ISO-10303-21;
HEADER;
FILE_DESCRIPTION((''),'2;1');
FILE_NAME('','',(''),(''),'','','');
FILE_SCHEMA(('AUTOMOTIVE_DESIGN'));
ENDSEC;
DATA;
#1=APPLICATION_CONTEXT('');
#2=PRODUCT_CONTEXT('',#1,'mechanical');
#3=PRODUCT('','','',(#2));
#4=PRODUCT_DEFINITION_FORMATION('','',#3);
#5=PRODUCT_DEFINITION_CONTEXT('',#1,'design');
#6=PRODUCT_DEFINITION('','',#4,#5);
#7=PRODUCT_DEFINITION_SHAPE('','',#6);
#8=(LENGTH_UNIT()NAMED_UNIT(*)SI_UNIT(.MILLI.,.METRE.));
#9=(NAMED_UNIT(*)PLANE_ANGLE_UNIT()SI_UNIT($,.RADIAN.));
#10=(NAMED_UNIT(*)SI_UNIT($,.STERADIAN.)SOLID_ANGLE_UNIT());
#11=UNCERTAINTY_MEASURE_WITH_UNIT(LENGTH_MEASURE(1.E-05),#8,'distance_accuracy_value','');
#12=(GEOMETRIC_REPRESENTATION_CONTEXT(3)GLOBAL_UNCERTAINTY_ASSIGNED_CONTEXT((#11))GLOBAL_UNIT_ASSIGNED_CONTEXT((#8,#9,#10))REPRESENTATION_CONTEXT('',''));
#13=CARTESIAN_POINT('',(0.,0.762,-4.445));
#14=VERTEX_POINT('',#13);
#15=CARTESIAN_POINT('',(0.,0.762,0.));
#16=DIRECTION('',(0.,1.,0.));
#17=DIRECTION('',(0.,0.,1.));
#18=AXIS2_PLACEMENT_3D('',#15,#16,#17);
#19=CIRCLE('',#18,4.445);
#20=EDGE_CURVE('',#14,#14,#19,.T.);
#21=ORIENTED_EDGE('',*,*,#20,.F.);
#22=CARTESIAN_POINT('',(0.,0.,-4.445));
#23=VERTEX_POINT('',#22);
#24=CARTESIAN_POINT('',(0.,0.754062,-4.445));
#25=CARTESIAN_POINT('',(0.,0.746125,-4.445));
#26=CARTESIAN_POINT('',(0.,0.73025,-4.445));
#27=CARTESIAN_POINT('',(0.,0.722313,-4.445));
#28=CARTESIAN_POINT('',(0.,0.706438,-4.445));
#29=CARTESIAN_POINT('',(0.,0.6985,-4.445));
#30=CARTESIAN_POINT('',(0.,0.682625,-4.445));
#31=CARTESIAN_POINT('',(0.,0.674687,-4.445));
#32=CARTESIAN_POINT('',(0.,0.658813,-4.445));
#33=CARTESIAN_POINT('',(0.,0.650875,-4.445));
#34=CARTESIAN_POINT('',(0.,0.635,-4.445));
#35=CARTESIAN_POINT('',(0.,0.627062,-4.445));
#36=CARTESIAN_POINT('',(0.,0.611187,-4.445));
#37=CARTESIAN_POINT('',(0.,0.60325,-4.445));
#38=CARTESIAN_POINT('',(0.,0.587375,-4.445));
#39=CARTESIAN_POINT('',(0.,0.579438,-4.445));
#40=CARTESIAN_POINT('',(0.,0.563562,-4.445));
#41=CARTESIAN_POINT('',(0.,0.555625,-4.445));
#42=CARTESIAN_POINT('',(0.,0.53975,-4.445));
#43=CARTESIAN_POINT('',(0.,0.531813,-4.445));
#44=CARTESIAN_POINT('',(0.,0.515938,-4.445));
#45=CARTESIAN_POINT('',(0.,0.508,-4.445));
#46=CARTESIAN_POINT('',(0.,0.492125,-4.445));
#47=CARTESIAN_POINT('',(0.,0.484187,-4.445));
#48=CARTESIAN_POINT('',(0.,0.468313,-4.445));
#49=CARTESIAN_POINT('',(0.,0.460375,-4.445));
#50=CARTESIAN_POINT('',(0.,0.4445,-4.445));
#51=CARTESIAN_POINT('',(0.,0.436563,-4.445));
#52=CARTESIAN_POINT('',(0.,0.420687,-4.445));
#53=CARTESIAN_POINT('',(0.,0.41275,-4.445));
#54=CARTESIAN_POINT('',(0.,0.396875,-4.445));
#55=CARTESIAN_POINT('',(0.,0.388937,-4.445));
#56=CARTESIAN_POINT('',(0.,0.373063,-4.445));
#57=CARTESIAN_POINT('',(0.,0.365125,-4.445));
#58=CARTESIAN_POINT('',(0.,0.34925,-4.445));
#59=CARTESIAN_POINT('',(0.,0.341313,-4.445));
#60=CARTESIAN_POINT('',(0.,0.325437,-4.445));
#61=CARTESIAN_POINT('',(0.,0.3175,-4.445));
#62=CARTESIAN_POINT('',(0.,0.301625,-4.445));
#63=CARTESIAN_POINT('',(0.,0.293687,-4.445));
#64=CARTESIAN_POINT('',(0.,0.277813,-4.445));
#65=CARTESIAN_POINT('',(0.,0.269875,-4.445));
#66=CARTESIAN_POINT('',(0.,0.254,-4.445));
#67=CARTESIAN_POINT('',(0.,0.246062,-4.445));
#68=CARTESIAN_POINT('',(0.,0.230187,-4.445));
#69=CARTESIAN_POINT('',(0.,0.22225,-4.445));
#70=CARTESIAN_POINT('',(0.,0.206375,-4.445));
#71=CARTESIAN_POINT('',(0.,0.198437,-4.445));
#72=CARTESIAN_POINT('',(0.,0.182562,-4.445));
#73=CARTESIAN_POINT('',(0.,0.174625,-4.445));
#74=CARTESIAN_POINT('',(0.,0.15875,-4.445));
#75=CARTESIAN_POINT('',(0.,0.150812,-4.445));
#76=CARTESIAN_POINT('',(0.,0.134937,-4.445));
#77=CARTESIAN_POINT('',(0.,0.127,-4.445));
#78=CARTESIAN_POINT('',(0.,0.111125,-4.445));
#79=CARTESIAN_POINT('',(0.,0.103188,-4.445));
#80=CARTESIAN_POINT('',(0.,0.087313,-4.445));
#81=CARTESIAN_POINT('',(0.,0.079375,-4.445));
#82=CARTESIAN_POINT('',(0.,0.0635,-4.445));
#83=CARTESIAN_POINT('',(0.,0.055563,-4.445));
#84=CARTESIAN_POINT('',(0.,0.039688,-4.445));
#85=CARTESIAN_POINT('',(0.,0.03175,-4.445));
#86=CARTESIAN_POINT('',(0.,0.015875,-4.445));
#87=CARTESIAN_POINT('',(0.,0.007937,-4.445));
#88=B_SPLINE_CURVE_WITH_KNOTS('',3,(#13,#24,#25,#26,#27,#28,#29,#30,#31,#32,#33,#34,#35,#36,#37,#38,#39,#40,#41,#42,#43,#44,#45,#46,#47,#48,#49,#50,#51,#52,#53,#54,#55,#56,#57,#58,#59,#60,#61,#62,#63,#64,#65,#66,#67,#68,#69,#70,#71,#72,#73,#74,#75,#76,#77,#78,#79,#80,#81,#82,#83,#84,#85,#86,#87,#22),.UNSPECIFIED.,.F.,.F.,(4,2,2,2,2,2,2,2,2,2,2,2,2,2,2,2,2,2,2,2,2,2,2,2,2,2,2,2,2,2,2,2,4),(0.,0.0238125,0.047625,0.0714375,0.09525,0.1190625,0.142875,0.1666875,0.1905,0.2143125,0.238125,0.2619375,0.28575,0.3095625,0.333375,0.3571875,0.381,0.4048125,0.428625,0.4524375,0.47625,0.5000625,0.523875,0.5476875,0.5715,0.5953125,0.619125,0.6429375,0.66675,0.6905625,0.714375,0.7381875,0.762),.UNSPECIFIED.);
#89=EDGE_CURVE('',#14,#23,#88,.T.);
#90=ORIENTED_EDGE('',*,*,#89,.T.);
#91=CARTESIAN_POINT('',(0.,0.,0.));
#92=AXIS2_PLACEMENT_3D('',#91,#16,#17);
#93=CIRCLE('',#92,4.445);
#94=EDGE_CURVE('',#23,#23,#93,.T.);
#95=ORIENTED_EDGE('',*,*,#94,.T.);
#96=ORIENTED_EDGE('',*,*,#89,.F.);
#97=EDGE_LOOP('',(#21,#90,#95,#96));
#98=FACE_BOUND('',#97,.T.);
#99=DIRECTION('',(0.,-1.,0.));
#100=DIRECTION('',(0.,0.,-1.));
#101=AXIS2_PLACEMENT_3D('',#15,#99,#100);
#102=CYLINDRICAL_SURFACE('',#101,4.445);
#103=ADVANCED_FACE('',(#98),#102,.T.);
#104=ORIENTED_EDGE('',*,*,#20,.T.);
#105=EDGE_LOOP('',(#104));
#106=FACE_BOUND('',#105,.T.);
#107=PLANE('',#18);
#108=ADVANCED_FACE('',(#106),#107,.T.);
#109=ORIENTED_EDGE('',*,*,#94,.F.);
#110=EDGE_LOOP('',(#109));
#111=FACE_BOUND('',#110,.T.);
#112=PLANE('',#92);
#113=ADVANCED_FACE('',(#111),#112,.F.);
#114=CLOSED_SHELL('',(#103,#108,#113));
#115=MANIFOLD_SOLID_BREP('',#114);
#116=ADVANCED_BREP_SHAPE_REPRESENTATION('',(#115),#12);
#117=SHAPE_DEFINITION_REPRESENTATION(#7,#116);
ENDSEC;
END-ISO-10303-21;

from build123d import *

# Parameters (mm, degrees)
SKETCH1_R           = 4.445
SKETCH1_R_2         = 3.038282762
BOSS_EXTRUDE1_DEPTH = 0.762


with BuildPart() as part:
    # Sketch1 → Boss-Extrude1 (new body)
    # profile 1 of 2: a face of its own
    with BuildSketch(Plane(origin=(0, 0, 0), x_dir=(1, 0, 0), z_dir=(0, 1, 0))):
        with Locations(Location((0, 0, 0), (0, 0, 90))):
            Circle(SKETCH1_R)
        Circle(SKETCH1_R_2, mode=Mode.SUBTRACT)
    # profile 2 of 2: a face of its own
    with BuildSketch(Plane(origin=(0, 0, 0), x_dir=(1, 0, 0), z_dir=(0, 1, 0))):
        Circle(SKETCH1_R_2)
    extrude(amount=BOSS_EXTRUDE1_DEPTH)


solid = part.part
